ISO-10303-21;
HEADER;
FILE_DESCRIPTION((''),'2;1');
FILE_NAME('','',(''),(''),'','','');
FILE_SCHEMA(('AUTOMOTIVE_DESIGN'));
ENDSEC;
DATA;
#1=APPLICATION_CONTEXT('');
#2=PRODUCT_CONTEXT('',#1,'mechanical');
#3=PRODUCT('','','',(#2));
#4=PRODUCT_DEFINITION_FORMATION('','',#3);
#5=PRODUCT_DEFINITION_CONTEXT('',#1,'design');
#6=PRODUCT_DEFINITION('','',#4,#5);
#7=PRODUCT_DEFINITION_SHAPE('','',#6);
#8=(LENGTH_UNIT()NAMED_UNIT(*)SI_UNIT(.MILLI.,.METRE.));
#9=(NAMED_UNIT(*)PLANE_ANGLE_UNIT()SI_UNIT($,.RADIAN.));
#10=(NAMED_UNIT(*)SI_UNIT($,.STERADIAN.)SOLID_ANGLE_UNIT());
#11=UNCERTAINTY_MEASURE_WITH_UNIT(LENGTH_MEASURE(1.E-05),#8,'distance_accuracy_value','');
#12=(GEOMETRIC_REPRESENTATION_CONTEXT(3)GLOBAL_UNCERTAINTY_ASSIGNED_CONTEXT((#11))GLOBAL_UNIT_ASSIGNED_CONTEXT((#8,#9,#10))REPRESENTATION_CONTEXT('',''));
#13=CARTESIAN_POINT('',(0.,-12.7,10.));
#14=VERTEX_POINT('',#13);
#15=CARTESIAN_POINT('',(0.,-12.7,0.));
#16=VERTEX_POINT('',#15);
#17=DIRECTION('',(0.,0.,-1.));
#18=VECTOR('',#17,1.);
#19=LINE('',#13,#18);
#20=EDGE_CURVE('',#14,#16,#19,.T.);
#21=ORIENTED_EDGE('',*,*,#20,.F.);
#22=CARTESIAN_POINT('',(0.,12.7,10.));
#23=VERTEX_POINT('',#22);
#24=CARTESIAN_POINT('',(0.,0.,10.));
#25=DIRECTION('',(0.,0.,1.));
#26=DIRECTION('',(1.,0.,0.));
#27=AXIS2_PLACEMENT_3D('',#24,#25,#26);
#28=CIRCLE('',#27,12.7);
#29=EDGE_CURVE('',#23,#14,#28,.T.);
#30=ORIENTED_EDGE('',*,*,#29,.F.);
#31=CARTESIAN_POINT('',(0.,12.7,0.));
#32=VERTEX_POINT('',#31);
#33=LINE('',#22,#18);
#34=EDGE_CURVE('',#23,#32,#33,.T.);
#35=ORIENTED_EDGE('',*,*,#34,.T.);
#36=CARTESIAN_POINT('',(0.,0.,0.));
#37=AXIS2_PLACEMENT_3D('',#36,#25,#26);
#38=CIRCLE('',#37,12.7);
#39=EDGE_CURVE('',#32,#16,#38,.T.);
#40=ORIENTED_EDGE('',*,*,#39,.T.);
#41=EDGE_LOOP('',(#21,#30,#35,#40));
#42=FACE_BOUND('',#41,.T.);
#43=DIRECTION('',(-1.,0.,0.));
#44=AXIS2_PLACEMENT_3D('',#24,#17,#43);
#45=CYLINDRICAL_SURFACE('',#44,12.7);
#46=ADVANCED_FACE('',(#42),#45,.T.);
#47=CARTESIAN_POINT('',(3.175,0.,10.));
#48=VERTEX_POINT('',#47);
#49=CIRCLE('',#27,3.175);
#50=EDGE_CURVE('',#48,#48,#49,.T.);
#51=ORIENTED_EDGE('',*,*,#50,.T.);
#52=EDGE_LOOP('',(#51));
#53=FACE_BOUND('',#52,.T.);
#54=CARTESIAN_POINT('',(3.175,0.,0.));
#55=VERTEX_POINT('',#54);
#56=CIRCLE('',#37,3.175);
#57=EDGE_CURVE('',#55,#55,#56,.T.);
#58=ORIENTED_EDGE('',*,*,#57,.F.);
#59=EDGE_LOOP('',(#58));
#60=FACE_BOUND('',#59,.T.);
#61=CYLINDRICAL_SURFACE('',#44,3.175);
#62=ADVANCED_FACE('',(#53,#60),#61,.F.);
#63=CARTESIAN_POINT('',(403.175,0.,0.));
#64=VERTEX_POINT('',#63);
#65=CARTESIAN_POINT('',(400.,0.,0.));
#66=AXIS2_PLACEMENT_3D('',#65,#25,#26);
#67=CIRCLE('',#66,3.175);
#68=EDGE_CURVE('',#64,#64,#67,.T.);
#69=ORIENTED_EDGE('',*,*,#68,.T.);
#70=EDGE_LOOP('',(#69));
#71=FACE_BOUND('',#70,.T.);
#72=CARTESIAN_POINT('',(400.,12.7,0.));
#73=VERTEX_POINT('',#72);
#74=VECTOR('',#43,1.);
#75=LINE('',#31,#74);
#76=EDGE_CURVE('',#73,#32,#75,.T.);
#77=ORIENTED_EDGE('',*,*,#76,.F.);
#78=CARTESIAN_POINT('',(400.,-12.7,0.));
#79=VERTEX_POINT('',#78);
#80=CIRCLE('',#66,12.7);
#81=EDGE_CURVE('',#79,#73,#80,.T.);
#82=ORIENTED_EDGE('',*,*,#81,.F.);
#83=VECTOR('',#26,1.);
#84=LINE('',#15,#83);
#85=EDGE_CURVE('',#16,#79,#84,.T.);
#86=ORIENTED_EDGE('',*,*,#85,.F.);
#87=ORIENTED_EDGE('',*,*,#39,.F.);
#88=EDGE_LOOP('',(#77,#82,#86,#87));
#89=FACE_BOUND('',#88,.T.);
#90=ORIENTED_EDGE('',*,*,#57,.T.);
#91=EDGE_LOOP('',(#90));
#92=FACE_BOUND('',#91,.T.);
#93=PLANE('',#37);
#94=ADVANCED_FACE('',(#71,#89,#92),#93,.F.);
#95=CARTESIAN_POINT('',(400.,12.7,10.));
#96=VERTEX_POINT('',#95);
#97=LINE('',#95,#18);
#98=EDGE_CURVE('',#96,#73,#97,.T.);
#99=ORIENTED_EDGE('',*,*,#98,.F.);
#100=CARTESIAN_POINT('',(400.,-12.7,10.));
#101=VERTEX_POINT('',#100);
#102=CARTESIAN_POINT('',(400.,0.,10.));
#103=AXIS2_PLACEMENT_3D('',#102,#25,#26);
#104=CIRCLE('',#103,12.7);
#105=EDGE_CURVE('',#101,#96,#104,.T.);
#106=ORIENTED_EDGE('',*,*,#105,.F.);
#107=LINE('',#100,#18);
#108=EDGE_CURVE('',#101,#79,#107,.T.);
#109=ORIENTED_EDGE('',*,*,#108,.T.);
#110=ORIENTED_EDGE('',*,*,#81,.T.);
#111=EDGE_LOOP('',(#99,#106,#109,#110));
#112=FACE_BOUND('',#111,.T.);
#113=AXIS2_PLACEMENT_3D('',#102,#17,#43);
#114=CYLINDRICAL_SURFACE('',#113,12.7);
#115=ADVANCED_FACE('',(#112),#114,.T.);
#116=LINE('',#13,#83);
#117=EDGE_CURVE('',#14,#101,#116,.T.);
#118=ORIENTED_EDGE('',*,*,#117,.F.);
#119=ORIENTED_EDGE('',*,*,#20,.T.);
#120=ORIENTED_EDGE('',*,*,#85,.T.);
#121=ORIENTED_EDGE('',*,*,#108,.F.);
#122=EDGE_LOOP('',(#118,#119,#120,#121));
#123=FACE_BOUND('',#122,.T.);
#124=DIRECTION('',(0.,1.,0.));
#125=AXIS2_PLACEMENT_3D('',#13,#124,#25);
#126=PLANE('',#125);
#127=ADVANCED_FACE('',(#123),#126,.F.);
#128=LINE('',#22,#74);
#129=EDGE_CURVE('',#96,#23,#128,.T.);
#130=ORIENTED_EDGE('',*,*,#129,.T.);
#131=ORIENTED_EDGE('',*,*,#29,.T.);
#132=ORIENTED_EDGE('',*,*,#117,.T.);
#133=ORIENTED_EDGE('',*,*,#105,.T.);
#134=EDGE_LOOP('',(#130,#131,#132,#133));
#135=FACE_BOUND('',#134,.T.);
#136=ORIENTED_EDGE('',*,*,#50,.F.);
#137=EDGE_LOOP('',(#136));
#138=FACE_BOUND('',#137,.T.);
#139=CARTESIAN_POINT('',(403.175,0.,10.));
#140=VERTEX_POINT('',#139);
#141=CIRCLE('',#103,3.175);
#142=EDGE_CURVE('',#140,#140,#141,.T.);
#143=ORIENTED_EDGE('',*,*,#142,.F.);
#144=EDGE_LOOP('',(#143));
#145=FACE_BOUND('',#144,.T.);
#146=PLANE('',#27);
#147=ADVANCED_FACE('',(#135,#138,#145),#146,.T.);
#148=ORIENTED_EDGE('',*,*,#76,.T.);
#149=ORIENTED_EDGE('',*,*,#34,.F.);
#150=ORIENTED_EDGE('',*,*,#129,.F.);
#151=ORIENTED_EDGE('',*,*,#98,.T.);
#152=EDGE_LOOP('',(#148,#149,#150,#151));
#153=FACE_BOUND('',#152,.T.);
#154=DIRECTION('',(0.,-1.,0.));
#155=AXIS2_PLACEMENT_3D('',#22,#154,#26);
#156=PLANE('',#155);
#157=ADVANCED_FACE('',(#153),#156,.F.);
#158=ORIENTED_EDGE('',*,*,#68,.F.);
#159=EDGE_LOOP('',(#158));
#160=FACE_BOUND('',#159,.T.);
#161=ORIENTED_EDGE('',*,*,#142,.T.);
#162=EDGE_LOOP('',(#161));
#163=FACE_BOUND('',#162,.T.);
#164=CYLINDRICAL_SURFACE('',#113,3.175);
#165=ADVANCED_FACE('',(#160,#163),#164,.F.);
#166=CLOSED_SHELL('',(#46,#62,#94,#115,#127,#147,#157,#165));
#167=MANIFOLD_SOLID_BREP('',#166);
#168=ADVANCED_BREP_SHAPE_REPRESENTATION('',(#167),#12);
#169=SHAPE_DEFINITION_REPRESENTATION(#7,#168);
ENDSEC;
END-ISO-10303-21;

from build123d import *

# Parameters (mm, degrees)
SKETCH1_R           = 3.175
BOSS_EXTRUDE1_DEPTH = 10


with BuildPart() as part:
    # Sketch1 → Boss-Extrude1 (new body)
    with BuildSketch(Plane.XY):
        with BuildLine():
            Line((0, 12.7), (400, 12.7))
            ThreePointArc((400, 12.7), (412.7, 0), (400, -12.7))
            Line((400, -12.7), (0, -12.7))
            ThreePointArc((0, -12.7), (-12.7, 0), (0, 12.7))
        make_face()
        Circle(SKETCH1_R, mode=Mode.SUBTRACT)
        with Locations((400, 0)):
            Circle(SKETCH1_R, mode=Mode.SUBTRACT)
    extrude(amount=BOSS_EXTRUDE1_DEPTH)


solid = part.part
